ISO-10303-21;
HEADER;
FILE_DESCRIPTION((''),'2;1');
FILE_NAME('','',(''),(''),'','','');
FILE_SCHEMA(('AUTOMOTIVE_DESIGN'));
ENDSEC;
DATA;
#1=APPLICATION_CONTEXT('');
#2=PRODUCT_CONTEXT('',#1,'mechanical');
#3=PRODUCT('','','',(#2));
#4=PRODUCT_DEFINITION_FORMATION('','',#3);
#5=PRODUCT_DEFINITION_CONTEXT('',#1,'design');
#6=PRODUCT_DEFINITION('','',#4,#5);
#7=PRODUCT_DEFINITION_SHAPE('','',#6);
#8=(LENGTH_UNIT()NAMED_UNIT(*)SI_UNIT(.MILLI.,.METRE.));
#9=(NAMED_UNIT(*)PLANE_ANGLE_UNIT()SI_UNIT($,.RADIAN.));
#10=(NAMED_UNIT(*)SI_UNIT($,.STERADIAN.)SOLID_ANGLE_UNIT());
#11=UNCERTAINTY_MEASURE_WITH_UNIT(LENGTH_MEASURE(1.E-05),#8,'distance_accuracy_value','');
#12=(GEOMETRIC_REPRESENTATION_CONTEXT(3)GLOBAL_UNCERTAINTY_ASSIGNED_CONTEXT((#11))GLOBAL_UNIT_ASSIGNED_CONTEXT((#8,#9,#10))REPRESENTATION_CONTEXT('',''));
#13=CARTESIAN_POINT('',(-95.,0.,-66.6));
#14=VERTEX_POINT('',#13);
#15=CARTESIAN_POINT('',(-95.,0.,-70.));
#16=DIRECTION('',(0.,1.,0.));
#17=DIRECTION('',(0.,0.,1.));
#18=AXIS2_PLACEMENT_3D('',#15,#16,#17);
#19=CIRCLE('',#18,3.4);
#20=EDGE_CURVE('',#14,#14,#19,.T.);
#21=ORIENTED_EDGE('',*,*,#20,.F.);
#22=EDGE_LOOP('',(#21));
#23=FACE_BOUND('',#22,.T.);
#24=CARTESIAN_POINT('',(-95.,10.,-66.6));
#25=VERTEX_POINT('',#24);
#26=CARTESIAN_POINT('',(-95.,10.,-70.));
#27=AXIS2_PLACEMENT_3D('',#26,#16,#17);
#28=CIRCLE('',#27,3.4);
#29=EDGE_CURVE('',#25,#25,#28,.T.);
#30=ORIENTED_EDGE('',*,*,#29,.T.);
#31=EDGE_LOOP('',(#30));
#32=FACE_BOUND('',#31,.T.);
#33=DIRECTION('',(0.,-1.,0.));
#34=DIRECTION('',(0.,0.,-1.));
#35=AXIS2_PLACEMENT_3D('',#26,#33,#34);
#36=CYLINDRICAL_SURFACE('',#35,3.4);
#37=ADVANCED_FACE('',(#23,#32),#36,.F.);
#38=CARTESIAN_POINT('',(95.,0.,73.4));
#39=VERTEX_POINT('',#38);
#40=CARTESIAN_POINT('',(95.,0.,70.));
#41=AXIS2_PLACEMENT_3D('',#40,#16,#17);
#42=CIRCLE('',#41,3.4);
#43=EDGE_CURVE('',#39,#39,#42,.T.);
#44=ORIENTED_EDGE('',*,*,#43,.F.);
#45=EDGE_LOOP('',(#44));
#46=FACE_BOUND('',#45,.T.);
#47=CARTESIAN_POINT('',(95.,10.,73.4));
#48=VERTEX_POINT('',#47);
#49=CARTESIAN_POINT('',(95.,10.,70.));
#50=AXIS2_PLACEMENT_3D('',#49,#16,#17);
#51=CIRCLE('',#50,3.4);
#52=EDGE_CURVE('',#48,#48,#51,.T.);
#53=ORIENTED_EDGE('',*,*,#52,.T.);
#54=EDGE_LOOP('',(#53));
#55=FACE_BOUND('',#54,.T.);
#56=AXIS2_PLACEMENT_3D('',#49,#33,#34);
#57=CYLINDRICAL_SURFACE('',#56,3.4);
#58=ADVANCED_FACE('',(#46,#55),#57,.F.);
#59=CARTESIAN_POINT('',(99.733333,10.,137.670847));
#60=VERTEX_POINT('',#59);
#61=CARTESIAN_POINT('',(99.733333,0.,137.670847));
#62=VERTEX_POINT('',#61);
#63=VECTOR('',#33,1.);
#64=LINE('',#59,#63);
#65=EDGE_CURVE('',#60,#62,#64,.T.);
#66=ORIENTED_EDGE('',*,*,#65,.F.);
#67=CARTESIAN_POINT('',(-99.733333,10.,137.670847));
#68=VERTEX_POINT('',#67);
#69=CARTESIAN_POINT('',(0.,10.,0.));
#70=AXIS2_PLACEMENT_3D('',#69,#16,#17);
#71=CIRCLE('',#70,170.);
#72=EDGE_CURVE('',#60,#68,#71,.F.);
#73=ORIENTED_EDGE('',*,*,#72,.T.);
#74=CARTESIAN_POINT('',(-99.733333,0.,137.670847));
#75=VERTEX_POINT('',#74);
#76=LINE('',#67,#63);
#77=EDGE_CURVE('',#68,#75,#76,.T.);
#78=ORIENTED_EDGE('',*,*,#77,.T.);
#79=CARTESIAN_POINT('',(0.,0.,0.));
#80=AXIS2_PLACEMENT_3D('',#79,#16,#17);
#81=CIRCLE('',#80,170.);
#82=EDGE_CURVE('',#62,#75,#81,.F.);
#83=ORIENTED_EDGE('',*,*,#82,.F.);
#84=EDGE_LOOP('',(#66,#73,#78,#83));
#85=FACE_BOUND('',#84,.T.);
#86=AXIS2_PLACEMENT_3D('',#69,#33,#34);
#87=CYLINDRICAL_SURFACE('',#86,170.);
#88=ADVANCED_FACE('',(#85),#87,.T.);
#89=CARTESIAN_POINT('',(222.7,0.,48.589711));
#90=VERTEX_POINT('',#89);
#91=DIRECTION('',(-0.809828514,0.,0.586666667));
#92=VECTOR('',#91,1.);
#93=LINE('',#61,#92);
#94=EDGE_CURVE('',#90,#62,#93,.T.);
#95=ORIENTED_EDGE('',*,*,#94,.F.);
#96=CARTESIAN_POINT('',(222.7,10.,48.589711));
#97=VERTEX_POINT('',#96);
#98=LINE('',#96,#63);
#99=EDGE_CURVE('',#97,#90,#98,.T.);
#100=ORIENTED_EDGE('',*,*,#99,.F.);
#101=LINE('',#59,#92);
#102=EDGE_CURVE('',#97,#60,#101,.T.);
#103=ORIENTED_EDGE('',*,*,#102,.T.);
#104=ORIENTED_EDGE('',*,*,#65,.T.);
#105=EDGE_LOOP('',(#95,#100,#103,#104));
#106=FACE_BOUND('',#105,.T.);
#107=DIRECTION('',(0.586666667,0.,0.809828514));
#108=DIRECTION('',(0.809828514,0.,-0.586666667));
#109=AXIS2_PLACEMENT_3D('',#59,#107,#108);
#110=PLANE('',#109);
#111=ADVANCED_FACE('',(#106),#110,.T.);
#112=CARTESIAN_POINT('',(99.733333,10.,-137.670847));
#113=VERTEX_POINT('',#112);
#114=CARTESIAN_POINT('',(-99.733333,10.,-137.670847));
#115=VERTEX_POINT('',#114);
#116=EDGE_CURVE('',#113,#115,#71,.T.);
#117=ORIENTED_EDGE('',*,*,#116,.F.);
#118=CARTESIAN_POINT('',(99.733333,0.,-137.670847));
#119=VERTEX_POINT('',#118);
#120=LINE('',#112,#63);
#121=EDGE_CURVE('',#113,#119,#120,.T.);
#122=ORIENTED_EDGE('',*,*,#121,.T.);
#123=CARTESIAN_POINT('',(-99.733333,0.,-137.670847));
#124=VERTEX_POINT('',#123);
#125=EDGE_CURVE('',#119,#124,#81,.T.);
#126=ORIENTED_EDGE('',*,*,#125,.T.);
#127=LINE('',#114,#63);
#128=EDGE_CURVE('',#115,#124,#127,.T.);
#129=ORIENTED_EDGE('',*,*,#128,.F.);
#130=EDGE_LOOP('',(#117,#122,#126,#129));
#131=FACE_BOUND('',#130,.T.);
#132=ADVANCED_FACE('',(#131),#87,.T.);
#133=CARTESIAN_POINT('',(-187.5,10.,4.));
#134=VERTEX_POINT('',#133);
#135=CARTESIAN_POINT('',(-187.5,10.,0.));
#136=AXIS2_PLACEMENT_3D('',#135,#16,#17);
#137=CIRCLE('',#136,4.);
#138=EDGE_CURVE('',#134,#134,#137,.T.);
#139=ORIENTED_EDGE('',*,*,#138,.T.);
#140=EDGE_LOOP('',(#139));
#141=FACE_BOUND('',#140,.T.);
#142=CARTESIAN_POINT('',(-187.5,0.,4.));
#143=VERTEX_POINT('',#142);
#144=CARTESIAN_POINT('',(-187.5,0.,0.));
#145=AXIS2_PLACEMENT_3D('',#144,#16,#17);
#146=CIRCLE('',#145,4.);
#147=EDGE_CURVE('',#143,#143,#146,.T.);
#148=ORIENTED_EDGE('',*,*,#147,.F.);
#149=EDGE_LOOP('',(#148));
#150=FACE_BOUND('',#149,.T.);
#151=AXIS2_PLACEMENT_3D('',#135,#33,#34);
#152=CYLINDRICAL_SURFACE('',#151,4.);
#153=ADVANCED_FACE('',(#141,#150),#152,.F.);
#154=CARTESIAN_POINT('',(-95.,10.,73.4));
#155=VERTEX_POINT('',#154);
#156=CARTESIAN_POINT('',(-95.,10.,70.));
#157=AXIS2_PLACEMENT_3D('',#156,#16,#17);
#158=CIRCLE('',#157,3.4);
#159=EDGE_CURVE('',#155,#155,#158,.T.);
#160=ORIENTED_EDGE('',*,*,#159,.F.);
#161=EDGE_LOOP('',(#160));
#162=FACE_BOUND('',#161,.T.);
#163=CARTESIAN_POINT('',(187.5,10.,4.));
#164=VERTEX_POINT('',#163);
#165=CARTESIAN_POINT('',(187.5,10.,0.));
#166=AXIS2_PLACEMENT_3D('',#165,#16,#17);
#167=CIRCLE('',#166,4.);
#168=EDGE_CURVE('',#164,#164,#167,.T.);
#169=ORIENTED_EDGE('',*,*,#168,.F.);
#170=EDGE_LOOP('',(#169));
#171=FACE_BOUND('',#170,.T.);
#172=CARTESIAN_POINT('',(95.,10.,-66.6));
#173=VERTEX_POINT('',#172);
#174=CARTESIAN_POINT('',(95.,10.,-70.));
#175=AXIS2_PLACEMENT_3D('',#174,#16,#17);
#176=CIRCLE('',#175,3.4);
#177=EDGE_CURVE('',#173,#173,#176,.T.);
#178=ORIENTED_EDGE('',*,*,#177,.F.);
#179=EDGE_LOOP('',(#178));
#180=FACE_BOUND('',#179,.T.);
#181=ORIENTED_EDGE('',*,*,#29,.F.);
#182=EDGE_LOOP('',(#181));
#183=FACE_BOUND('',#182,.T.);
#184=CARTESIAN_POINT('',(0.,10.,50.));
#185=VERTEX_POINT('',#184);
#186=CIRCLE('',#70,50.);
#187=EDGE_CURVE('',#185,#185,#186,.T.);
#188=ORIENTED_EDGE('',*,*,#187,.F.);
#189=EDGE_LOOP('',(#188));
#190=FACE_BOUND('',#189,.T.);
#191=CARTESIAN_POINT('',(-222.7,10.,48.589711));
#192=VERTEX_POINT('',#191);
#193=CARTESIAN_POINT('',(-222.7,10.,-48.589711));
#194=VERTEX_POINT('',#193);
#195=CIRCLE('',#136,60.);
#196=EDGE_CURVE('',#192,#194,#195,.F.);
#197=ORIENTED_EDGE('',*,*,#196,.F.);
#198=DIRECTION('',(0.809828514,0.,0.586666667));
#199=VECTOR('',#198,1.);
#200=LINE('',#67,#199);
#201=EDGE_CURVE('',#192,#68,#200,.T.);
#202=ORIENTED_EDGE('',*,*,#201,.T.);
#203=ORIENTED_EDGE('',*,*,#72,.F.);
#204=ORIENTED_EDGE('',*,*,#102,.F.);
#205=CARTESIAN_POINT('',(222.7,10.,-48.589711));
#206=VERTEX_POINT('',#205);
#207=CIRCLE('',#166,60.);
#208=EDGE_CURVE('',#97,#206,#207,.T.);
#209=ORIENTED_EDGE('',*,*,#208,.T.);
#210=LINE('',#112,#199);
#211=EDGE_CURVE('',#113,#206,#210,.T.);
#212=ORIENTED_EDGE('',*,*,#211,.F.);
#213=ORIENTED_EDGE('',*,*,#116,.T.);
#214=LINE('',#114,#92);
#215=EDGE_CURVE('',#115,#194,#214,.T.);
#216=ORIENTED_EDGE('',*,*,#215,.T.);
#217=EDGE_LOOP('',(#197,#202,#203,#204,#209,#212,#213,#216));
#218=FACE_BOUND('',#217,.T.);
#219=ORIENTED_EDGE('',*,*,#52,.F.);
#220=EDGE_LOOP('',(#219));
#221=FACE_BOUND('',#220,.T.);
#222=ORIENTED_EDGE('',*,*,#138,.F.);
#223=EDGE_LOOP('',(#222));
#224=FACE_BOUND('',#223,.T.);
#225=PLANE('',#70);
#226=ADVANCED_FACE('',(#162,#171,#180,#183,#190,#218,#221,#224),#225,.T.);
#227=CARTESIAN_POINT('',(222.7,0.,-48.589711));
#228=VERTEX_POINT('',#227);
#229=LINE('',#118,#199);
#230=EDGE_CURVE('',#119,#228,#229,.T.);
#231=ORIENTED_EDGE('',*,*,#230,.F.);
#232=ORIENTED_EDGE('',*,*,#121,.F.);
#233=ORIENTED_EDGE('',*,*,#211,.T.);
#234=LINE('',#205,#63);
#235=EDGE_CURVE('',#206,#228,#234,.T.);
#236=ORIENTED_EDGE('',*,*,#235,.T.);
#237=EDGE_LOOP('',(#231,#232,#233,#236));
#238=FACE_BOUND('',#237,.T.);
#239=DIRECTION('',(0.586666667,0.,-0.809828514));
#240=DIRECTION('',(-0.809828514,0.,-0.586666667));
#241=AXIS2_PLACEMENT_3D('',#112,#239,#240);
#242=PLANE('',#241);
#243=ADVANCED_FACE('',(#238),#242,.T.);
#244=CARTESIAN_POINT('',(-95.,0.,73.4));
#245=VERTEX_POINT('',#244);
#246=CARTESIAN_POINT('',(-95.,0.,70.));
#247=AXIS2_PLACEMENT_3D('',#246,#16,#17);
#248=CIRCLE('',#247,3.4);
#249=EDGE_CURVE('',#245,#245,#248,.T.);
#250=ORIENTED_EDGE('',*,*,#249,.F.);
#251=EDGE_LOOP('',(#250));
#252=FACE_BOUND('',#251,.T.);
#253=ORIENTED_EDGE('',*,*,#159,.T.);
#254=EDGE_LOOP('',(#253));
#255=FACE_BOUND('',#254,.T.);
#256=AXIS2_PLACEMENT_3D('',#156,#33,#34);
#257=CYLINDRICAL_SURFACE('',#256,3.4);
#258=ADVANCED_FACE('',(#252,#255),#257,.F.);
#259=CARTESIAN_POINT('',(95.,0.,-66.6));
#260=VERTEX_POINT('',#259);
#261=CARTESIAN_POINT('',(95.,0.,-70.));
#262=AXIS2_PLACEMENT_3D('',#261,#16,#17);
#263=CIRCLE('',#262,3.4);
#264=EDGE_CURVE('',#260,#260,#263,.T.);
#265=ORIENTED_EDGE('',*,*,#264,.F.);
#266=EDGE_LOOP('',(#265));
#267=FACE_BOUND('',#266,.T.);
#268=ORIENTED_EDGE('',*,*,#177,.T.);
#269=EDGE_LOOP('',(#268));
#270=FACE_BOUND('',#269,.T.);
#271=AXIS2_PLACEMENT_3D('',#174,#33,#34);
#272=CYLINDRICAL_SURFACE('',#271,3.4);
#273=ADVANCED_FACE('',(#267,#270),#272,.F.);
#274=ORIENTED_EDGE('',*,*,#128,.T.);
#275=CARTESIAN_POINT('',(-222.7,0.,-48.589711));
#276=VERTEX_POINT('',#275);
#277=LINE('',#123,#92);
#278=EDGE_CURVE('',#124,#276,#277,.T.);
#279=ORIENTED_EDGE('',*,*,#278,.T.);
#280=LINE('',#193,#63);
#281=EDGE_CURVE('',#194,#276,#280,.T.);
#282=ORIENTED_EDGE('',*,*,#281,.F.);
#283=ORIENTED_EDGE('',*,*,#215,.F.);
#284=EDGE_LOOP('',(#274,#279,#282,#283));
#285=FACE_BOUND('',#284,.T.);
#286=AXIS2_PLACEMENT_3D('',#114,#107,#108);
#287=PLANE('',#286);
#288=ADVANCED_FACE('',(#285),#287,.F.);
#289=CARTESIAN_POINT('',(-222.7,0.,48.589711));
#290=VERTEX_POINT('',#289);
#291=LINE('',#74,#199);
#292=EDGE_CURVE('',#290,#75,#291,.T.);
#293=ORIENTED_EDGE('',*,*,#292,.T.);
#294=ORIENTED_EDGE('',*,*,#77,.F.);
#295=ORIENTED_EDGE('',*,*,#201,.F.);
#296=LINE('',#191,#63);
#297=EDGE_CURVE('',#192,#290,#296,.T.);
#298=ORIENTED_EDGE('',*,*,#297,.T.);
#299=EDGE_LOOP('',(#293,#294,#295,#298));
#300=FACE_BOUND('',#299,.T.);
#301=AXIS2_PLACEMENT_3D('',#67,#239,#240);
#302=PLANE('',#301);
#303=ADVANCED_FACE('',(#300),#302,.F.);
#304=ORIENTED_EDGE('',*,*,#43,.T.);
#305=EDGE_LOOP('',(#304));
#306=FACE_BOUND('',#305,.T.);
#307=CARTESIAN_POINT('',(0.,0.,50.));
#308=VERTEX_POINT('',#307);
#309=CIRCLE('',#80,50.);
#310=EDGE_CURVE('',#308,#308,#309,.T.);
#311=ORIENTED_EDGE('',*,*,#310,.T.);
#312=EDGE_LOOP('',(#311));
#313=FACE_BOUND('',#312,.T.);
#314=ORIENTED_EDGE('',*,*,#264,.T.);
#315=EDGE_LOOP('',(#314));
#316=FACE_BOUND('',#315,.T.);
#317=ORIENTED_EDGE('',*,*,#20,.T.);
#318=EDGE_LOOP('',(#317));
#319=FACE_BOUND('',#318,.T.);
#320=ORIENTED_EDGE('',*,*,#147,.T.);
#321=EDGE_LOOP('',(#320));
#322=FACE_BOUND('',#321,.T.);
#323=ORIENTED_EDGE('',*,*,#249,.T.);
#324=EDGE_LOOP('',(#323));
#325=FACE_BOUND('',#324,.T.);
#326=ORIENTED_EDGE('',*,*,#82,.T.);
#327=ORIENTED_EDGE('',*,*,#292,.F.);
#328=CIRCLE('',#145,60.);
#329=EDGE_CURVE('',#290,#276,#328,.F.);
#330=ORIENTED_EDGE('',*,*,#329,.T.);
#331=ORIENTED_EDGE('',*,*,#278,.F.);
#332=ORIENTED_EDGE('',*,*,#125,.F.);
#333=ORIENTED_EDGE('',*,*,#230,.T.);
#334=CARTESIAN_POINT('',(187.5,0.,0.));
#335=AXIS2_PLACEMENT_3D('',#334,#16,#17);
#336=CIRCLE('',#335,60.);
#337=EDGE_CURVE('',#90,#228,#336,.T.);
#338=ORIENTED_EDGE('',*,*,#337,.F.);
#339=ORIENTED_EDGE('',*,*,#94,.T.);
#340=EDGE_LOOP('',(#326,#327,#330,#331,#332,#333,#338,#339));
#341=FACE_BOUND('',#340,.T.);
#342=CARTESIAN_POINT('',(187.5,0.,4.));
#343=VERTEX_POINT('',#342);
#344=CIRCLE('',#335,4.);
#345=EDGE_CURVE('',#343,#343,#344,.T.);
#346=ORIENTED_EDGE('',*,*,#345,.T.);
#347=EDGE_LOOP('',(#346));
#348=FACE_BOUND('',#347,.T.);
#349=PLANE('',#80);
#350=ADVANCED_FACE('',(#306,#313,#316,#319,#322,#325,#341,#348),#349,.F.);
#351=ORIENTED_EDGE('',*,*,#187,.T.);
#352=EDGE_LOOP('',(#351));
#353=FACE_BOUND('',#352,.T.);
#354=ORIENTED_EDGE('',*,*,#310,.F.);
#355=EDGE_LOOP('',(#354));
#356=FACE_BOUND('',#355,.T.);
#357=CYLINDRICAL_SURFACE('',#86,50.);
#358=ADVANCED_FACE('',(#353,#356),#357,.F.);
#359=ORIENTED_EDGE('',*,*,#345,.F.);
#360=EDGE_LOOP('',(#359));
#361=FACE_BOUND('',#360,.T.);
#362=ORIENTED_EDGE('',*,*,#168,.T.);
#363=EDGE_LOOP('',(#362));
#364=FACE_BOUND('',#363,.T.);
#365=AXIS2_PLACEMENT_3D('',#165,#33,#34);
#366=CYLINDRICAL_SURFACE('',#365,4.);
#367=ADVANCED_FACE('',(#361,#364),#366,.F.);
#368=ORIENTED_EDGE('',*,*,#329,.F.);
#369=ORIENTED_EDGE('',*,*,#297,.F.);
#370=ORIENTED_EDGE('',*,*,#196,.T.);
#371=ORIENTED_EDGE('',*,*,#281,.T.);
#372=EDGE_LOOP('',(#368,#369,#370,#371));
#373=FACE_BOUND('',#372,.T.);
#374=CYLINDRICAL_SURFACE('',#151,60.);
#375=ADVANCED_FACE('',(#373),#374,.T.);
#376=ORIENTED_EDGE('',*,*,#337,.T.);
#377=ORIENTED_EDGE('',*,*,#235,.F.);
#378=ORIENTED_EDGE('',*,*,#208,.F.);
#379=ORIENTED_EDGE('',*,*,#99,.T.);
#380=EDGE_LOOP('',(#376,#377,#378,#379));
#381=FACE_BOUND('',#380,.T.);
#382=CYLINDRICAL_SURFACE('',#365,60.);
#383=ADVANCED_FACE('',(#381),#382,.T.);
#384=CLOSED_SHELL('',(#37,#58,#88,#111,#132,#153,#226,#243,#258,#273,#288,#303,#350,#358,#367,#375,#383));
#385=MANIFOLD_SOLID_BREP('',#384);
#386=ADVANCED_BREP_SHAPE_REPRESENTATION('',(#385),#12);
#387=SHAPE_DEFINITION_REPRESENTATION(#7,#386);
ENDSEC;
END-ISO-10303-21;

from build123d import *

# Parameters (mm, degrees)
CROQUIS1_R              = 50
CROQUIS1_R_2            = 3.4
CROQUIS1_R_3            = 4
SALIENTE_EXTRUIR1_DEPTH = 10


with BuildPart() as part:
    # Croquis1 → Saliente-Extruir1 (new body)
    with BuildSketch(Plane(origin=(0, 0, 0), x_dir=(1, 0, 0), z_dir=(0, 1, 0))):
        with BuildLine():
            Line((-99.733333333, 137.670847394), (-222.7, 48.589710845))
            ThreePointArc((-222.7, 48.589710845), (-247.5, 0), (-222.7, -48.589710845))
            Line((-222.7, -48.589710845), (-99.733333333, -137.670847394))
            ThreePointArc((-99.733333333, -137.670847394), (0, -170), (99.733333333, -137.670847394))
            Line((99.733333333, -137.670847394), (222.7, -48.589710845))
            ThreePointArc((222.7, -48.589710845), (247.5, 0), (222.7, 48.589710845))
            Line((222.7, 48.589710845), (99.733333333, 137.670847394))
            ThreePointArc((99.733333333, 137.670847394), (0, 170), (-99.733333333, 137.670847394))
        make_face()
        Circle(CROQUIS1_R, mode=Mode.SUBTRACT)
        with Locations((-95, 70)):
            Circle(CROQUIS1_R_2, mode=Mode.SUBTRACT)
        with Locations((95, 70)):
            Circle(CROQUIS1_R_2, mode=Mode.SUBTRACT)
        with Locations((95, -70)):
            Circle(CROQUIS1_R_2, mode=Mode.SUBTRACT)
        with Locations((-95, -70)):
            Circle(CROQUIS1_R_2, mode=Mode.SUBTRACT)
        with Locations((187.5, 0)):
            Circle(CROQUIS1_R_3, mode=Mode.SUBTRACT)
        with Locations((-187.5, 0)):
            Circle(CROQUIS1_R_3, mode=Mode.SUBTRACT)
    extrude(amount=SALIENTE_EXTRUIR1_DEPTH)


solid = part.part
